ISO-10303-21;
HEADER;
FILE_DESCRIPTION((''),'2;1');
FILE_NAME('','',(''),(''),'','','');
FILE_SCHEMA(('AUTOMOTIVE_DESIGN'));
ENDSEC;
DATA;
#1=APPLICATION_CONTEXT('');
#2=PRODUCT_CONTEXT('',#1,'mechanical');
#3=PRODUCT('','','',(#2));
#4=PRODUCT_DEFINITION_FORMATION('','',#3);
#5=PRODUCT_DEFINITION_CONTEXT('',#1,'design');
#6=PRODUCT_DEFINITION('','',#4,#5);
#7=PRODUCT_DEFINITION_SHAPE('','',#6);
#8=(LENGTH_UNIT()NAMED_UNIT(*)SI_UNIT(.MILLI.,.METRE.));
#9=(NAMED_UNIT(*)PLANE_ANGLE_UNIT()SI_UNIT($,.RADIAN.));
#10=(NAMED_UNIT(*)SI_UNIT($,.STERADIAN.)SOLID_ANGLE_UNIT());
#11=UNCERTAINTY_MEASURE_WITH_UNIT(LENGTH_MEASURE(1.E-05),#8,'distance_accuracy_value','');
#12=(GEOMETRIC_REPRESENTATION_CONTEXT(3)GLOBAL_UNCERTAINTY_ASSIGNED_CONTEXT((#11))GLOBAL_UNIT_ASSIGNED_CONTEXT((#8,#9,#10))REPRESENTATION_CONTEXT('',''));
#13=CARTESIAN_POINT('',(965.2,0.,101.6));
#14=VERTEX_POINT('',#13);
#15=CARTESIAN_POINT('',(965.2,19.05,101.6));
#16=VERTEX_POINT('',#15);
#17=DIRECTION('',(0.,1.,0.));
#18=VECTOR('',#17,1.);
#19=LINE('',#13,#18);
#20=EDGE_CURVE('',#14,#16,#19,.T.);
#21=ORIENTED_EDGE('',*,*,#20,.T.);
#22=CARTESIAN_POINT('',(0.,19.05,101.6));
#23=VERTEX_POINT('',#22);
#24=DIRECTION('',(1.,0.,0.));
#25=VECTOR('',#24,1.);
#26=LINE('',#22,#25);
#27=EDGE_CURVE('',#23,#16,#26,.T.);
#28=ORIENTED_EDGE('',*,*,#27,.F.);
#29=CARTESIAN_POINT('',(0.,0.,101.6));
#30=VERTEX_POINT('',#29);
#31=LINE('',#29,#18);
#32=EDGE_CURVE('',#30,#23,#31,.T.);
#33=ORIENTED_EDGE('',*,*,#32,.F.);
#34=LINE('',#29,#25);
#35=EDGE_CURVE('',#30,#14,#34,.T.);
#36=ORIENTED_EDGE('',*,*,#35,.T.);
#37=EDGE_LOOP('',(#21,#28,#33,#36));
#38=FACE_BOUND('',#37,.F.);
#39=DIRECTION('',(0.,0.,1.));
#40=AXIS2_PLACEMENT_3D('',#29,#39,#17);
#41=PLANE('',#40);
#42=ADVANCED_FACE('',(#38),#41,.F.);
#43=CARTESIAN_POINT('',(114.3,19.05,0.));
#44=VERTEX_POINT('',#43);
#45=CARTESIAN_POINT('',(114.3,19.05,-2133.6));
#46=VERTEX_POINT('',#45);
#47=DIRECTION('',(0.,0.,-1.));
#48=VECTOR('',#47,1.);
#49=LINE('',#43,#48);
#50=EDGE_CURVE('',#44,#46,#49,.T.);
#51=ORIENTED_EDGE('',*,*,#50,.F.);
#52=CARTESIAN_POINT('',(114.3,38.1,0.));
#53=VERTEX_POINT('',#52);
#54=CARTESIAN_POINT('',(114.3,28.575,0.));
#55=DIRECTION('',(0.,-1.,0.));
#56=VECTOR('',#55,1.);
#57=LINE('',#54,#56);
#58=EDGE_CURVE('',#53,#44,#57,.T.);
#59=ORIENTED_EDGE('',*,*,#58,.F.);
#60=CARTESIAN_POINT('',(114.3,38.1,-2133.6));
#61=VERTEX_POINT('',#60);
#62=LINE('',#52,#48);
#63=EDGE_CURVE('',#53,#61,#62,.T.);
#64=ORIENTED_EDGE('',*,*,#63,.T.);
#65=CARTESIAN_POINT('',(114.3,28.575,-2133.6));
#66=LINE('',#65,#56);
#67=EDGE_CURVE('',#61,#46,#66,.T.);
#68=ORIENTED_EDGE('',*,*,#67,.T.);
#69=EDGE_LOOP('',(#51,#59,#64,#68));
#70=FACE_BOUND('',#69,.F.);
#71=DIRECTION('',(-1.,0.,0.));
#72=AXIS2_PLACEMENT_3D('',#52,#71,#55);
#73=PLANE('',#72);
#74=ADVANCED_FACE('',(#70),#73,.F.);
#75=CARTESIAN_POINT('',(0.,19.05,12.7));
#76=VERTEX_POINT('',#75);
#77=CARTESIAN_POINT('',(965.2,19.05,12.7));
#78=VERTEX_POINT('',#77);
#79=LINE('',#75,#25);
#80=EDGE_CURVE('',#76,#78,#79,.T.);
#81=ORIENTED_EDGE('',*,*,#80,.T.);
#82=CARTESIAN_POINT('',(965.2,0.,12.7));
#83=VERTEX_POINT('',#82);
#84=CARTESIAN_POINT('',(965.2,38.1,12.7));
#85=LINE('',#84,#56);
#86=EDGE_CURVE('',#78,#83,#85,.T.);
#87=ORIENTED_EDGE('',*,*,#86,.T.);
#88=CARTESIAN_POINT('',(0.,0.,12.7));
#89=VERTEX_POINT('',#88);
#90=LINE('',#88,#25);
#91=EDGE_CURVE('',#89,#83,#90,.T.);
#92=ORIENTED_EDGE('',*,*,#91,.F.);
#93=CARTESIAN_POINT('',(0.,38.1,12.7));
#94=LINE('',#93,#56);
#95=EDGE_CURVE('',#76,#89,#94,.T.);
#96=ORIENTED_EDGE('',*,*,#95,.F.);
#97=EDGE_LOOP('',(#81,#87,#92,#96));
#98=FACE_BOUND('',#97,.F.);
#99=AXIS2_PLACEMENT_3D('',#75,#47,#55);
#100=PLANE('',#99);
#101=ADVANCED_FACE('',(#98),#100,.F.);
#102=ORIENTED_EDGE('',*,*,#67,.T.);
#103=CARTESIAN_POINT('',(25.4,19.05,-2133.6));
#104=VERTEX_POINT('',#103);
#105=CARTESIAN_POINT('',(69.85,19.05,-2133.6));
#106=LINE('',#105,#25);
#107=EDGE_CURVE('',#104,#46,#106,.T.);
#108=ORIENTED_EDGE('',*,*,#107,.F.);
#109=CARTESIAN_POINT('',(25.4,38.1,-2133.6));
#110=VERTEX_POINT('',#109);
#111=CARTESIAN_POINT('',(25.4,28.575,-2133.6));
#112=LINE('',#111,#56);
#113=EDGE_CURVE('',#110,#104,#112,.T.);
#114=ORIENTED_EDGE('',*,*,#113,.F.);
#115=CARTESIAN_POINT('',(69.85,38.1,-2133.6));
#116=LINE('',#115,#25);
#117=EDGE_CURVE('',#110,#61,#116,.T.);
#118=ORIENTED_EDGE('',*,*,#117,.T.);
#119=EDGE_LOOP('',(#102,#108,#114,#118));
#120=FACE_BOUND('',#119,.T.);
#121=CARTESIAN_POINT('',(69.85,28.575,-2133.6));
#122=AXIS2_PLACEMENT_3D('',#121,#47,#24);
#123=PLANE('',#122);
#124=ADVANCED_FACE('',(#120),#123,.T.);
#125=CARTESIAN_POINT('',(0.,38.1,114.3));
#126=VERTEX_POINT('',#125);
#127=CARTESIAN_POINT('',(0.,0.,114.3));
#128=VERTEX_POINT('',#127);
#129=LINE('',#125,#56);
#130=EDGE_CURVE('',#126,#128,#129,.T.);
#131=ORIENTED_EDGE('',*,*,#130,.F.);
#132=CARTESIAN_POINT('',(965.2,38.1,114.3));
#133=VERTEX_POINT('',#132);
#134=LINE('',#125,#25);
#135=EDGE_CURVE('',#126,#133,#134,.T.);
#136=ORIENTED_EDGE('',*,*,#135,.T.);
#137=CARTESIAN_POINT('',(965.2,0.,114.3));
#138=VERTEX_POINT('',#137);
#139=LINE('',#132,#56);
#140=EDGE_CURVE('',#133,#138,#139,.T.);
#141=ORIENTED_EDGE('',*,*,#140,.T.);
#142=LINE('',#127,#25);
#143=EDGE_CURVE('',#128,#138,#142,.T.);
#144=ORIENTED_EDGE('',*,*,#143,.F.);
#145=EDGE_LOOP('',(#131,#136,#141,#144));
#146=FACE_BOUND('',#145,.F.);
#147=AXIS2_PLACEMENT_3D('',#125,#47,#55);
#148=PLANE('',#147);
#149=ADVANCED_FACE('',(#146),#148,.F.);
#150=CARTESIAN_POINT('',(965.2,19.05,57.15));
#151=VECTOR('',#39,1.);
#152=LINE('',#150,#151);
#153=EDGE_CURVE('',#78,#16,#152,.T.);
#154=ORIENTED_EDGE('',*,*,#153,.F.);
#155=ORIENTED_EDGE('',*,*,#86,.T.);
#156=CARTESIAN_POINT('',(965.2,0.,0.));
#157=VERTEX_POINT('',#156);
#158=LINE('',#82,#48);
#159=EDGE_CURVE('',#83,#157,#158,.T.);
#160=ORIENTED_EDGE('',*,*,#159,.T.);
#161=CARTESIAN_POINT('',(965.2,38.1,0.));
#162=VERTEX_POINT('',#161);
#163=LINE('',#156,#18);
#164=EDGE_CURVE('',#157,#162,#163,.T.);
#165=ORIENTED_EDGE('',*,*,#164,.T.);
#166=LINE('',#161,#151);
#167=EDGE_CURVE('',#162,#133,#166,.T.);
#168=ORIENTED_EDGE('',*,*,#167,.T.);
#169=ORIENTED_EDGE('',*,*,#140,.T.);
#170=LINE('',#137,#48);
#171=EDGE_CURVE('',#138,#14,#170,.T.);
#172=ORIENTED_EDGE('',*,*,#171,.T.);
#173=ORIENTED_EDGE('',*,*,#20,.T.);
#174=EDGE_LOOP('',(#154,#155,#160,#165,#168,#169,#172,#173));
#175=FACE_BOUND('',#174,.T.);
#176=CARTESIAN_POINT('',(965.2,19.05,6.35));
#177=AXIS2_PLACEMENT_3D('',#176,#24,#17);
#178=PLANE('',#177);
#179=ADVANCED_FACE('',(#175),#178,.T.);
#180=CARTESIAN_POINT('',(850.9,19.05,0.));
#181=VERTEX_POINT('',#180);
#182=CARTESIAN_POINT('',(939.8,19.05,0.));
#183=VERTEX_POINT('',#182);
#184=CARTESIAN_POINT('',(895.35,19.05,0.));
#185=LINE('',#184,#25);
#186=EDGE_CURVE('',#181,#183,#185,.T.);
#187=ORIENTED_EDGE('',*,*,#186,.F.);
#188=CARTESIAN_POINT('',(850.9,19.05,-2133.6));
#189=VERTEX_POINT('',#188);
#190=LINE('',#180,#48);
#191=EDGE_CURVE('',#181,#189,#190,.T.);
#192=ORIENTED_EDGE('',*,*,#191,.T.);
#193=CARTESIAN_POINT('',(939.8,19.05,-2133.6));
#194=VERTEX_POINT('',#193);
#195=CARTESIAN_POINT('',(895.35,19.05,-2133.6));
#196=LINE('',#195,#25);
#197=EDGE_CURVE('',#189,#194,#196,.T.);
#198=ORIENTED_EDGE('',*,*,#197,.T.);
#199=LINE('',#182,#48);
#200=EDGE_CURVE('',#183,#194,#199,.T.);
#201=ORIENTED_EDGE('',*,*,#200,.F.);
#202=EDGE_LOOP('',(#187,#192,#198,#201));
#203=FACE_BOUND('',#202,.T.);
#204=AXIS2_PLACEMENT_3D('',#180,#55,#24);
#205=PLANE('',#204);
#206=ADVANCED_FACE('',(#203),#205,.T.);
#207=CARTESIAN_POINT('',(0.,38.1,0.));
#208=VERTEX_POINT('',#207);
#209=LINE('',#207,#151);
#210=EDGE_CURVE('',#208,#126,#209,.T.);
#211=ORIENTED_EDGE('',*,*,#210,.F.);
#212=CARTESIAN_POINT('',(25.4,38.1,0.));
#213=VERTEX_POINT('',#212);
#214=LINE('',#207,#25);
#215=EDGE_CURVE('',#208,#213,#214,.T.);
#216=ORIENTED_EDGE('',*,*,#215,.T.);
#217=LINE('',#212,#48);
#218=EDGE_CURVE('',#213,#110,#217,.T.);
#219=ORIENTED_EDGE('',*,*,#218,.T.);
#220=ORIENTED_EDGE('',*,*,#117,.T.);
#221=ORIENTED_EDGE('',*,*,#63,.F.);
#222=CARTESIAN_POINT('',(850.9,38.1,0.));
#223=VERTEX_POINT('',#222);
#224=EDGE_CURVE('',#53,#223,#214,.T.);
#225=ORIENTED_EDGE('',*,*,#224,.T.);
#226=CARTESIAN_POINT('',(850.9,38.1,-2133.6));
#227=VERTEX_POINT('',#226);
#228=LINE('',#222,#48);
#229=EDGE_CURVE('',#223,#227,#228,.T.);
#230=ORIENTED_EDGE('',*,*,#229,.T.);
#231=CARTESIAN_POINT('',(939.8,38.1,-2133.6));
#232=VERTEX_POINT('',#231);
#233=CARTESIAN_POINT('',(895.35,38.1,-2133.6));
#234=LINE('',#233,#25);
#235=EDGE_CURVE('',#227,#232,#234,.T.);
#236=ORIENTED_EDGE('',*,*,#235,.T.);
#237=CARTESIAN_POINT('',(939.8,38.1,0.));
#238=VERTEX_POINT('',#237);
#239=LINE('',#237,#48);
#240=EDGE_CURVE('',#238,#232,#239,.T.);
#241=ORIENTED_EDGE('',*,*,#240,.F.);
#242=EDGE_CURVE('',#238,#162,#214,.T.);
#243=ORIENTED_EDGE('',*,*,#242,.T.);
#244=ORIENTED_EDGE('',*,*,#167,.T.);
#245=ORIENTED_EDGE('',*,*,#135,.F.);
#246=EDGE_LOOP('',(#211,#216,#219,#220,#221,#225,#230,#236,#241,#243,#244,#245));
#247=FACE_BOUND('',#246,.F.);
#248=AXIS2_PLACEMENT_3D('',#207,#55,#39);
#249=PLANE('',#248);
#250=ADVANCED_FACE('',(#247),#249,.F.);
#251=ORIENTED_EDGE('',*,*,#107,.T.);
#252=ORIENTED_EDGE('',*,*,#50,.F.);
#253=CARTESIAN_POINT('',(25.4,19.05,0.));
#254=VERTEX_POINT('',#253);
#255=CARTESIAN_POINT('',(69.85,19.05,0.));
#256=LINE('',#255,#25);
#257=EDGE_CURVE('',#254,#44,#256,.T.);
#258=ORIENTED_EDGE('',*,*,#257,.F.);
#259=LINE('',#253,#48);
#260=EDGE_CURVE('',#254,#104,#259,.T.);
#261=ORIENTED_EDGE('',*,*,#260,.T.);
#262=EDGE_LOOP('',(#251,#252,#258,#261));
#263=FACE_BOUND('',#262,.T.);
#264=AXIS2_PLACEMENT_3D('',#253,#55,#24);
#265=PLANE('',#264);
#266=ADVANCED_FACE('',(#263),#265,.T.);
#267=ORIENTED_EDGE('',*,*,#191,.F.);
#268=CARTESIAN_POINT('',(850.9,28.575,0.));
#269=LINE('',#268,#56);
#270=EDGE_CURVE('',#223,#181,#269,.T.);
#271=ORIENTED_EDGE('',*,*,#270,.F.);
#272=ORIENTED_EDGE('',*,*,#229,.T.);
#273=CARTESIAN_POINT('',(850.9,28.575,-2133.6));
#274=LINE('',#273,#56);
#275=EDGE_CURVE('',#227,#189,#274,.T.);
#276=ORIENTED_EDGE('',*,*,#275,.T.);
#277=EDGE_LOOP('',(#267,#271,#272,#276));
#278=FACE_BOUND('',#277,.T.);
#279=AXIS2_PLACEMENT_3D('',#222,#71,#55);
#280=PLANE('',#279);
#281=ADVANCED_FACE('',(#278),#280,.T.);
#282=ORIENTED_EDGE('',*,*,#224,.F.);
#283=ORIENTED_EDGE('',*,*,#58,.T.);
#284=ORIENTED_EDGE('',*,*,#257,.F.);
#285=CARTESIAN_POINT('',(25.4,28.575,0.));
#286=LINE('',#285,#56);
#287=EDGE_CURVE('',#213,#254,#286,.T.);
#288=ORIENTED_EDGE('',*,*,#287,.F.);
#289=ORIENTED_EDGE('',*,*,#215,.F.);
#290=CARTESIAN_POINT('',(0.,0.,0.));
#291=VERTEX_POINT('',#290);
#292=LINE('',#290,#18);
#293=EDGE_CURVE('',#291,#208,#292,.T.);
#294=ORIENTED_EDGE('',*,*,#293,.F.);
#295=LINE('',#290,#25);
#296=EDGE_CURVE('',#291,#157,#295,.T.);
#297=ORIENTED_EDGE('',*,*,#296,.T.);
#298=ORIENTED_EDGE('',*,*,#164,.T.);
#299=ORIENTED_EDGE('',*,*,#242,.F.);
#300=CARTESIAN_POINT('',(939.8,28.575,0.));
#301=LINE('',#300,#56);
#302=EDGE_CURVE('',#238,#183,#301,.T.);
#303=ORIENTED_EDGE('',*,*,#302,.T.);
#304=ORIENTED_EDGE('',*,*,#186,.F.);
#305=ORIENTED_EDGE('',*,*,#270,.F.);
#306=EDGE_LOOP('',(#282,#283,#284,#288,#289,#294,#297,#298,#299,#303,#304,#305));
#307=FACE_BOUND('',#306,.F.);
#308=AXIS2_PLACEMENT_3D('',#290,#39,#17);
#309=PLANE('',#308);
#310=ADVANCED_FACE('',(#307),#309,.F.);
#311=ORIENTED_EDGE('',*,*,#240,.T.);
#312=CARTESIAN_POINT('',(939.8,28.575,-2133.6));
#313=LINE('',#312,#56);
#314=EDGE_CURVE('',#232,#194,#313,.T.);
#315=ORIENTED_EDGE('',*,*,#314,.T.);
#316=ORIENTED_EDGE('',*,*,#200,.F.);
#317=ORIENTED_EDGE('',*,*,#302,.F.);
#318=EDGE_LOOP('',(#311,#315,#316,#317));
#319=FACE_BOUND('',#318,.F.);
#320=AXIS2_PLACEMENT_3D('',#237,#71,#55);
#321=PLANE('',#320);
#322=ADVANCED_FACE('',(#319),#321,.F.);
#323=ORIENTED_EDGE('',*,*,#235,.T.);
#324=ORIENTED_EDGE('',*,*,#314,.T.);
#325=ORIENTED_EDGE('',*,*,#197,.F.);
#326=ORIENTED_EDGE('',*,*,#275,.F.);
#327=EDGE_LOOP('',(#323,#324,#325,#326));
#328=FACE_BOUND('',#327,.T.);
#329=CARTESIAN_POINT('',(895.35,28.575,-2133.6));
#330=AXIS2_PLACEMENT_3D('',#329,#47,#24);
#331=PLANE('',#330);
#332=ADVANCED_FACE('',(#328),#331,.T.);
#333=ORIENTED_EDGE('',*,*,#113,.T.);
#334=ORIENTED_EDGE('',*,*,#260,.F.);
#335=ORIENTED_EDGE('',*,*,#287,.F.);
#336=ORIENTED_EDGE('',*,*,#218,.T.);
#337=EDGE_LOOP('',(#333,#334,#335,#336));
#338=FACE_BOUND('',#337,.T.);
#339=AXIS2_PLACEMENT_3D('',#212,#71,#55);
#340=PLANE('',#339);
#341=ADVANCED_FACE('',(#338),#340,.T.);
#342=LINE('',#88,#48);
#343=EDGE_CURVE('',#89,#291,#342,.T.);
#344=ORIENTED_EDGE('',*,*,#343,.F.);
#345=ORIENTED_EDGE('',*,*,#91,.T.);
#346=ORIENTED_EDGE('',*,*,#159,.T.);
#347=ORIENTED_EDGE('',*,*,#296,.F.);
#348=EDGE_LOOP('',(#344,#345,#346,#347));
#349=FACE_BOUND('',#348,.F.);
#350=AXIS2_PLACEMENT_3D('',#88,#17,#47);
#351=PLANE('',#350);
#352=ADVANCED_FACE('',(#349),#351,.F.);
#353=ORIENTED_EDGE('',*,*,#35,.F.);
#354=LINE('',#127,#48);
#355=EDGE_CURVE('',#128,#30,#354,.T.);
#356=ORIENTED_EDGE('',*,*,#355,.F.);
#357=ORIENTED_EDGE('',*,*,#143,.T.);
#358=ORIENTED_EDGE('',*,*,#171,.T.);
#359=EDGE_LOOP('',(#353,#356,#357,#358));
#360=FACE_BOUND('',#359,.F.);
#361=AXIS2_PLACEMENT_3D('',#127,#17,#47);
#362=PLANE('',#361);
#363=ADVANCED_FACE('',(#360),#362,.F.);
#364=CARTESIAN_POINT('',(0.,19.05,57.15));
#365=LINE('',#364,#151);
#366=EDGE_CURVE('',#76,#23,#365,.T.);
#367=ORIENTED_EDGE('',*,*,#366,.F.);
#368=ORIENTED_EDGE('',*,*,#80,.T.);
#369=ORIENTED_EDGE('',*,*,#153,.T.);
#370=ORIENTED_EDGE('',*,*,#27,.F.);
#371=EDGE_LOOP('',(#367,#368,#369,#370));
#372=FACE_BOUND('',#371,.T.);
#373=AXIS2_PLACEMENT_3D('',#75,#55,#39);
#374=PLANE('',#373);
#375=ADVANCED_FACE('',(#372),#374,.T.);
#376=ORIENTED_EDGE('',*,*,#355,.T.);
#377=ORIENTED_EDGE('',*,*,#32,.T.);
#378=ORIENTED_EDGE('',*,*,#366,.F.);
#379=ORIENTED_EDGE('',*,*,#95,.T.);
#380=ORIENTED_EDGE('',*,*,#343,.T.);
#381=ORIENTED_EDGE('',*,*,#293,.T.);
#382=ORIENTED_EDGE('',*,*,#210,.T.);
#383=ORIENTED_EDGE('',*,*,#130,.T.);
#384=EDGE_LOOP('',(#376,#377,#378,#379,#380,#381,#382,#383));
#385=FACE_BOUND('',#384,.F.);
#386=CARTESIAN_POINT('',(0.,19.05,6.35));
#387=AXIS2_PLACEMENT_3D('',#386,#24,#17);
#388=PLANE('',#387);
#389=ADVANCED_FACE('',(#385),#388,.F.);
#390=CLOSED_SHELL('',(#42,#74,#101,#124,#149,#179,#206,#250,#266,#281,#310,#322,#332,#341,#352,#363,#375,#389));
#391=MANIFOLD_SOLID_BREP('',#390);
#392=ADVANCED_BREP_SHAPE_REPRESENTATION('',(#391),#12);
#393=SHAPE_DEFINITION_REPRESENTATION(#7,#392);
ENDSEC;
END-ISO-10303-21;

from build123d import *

# Parameters (mm, degrees)
F0_W     = 19.05
F0_H     = 88.9
F1_DEPTH = 965.2
F2_W     = 88.9
F2_H     = 19.05
F3_DEPTH = 2133.6


with BuildPart() as f1:
    # F0 (on Right) → F1 (new body)
    with BuildSketch(Plane.YZ):
        Polygon((0, 12.7), (0, 0), (38.1, 0), (38.1, 12.7), (19.05, 12.7), align=None)
        with Locations((28.575, 57.15)):
            Rectangle(F0_W, F0_H)
        Polygon((19.05, 101.6), (38.1, 101.6), (38.1, 114.3), (0, 114.3), (0, 101.6), align=None)
    extrude(amount=F1_DEPTH)

    # F2 (on face) → F3 (join)
    with BuildSketch(Plane(origin=(0, 0, 0), x_dir=(1, 0, 0), z_dir=(0, 0, -1))):
        with Locations((69.85, -28.575)):
            Rectangle(F2_W, F2_H)
        with Locations((895.35, -28.575)):
            Rectangle(F2_W, F2_H)
    extrude(amount=F3_DEPTH)


solid = f1.part
